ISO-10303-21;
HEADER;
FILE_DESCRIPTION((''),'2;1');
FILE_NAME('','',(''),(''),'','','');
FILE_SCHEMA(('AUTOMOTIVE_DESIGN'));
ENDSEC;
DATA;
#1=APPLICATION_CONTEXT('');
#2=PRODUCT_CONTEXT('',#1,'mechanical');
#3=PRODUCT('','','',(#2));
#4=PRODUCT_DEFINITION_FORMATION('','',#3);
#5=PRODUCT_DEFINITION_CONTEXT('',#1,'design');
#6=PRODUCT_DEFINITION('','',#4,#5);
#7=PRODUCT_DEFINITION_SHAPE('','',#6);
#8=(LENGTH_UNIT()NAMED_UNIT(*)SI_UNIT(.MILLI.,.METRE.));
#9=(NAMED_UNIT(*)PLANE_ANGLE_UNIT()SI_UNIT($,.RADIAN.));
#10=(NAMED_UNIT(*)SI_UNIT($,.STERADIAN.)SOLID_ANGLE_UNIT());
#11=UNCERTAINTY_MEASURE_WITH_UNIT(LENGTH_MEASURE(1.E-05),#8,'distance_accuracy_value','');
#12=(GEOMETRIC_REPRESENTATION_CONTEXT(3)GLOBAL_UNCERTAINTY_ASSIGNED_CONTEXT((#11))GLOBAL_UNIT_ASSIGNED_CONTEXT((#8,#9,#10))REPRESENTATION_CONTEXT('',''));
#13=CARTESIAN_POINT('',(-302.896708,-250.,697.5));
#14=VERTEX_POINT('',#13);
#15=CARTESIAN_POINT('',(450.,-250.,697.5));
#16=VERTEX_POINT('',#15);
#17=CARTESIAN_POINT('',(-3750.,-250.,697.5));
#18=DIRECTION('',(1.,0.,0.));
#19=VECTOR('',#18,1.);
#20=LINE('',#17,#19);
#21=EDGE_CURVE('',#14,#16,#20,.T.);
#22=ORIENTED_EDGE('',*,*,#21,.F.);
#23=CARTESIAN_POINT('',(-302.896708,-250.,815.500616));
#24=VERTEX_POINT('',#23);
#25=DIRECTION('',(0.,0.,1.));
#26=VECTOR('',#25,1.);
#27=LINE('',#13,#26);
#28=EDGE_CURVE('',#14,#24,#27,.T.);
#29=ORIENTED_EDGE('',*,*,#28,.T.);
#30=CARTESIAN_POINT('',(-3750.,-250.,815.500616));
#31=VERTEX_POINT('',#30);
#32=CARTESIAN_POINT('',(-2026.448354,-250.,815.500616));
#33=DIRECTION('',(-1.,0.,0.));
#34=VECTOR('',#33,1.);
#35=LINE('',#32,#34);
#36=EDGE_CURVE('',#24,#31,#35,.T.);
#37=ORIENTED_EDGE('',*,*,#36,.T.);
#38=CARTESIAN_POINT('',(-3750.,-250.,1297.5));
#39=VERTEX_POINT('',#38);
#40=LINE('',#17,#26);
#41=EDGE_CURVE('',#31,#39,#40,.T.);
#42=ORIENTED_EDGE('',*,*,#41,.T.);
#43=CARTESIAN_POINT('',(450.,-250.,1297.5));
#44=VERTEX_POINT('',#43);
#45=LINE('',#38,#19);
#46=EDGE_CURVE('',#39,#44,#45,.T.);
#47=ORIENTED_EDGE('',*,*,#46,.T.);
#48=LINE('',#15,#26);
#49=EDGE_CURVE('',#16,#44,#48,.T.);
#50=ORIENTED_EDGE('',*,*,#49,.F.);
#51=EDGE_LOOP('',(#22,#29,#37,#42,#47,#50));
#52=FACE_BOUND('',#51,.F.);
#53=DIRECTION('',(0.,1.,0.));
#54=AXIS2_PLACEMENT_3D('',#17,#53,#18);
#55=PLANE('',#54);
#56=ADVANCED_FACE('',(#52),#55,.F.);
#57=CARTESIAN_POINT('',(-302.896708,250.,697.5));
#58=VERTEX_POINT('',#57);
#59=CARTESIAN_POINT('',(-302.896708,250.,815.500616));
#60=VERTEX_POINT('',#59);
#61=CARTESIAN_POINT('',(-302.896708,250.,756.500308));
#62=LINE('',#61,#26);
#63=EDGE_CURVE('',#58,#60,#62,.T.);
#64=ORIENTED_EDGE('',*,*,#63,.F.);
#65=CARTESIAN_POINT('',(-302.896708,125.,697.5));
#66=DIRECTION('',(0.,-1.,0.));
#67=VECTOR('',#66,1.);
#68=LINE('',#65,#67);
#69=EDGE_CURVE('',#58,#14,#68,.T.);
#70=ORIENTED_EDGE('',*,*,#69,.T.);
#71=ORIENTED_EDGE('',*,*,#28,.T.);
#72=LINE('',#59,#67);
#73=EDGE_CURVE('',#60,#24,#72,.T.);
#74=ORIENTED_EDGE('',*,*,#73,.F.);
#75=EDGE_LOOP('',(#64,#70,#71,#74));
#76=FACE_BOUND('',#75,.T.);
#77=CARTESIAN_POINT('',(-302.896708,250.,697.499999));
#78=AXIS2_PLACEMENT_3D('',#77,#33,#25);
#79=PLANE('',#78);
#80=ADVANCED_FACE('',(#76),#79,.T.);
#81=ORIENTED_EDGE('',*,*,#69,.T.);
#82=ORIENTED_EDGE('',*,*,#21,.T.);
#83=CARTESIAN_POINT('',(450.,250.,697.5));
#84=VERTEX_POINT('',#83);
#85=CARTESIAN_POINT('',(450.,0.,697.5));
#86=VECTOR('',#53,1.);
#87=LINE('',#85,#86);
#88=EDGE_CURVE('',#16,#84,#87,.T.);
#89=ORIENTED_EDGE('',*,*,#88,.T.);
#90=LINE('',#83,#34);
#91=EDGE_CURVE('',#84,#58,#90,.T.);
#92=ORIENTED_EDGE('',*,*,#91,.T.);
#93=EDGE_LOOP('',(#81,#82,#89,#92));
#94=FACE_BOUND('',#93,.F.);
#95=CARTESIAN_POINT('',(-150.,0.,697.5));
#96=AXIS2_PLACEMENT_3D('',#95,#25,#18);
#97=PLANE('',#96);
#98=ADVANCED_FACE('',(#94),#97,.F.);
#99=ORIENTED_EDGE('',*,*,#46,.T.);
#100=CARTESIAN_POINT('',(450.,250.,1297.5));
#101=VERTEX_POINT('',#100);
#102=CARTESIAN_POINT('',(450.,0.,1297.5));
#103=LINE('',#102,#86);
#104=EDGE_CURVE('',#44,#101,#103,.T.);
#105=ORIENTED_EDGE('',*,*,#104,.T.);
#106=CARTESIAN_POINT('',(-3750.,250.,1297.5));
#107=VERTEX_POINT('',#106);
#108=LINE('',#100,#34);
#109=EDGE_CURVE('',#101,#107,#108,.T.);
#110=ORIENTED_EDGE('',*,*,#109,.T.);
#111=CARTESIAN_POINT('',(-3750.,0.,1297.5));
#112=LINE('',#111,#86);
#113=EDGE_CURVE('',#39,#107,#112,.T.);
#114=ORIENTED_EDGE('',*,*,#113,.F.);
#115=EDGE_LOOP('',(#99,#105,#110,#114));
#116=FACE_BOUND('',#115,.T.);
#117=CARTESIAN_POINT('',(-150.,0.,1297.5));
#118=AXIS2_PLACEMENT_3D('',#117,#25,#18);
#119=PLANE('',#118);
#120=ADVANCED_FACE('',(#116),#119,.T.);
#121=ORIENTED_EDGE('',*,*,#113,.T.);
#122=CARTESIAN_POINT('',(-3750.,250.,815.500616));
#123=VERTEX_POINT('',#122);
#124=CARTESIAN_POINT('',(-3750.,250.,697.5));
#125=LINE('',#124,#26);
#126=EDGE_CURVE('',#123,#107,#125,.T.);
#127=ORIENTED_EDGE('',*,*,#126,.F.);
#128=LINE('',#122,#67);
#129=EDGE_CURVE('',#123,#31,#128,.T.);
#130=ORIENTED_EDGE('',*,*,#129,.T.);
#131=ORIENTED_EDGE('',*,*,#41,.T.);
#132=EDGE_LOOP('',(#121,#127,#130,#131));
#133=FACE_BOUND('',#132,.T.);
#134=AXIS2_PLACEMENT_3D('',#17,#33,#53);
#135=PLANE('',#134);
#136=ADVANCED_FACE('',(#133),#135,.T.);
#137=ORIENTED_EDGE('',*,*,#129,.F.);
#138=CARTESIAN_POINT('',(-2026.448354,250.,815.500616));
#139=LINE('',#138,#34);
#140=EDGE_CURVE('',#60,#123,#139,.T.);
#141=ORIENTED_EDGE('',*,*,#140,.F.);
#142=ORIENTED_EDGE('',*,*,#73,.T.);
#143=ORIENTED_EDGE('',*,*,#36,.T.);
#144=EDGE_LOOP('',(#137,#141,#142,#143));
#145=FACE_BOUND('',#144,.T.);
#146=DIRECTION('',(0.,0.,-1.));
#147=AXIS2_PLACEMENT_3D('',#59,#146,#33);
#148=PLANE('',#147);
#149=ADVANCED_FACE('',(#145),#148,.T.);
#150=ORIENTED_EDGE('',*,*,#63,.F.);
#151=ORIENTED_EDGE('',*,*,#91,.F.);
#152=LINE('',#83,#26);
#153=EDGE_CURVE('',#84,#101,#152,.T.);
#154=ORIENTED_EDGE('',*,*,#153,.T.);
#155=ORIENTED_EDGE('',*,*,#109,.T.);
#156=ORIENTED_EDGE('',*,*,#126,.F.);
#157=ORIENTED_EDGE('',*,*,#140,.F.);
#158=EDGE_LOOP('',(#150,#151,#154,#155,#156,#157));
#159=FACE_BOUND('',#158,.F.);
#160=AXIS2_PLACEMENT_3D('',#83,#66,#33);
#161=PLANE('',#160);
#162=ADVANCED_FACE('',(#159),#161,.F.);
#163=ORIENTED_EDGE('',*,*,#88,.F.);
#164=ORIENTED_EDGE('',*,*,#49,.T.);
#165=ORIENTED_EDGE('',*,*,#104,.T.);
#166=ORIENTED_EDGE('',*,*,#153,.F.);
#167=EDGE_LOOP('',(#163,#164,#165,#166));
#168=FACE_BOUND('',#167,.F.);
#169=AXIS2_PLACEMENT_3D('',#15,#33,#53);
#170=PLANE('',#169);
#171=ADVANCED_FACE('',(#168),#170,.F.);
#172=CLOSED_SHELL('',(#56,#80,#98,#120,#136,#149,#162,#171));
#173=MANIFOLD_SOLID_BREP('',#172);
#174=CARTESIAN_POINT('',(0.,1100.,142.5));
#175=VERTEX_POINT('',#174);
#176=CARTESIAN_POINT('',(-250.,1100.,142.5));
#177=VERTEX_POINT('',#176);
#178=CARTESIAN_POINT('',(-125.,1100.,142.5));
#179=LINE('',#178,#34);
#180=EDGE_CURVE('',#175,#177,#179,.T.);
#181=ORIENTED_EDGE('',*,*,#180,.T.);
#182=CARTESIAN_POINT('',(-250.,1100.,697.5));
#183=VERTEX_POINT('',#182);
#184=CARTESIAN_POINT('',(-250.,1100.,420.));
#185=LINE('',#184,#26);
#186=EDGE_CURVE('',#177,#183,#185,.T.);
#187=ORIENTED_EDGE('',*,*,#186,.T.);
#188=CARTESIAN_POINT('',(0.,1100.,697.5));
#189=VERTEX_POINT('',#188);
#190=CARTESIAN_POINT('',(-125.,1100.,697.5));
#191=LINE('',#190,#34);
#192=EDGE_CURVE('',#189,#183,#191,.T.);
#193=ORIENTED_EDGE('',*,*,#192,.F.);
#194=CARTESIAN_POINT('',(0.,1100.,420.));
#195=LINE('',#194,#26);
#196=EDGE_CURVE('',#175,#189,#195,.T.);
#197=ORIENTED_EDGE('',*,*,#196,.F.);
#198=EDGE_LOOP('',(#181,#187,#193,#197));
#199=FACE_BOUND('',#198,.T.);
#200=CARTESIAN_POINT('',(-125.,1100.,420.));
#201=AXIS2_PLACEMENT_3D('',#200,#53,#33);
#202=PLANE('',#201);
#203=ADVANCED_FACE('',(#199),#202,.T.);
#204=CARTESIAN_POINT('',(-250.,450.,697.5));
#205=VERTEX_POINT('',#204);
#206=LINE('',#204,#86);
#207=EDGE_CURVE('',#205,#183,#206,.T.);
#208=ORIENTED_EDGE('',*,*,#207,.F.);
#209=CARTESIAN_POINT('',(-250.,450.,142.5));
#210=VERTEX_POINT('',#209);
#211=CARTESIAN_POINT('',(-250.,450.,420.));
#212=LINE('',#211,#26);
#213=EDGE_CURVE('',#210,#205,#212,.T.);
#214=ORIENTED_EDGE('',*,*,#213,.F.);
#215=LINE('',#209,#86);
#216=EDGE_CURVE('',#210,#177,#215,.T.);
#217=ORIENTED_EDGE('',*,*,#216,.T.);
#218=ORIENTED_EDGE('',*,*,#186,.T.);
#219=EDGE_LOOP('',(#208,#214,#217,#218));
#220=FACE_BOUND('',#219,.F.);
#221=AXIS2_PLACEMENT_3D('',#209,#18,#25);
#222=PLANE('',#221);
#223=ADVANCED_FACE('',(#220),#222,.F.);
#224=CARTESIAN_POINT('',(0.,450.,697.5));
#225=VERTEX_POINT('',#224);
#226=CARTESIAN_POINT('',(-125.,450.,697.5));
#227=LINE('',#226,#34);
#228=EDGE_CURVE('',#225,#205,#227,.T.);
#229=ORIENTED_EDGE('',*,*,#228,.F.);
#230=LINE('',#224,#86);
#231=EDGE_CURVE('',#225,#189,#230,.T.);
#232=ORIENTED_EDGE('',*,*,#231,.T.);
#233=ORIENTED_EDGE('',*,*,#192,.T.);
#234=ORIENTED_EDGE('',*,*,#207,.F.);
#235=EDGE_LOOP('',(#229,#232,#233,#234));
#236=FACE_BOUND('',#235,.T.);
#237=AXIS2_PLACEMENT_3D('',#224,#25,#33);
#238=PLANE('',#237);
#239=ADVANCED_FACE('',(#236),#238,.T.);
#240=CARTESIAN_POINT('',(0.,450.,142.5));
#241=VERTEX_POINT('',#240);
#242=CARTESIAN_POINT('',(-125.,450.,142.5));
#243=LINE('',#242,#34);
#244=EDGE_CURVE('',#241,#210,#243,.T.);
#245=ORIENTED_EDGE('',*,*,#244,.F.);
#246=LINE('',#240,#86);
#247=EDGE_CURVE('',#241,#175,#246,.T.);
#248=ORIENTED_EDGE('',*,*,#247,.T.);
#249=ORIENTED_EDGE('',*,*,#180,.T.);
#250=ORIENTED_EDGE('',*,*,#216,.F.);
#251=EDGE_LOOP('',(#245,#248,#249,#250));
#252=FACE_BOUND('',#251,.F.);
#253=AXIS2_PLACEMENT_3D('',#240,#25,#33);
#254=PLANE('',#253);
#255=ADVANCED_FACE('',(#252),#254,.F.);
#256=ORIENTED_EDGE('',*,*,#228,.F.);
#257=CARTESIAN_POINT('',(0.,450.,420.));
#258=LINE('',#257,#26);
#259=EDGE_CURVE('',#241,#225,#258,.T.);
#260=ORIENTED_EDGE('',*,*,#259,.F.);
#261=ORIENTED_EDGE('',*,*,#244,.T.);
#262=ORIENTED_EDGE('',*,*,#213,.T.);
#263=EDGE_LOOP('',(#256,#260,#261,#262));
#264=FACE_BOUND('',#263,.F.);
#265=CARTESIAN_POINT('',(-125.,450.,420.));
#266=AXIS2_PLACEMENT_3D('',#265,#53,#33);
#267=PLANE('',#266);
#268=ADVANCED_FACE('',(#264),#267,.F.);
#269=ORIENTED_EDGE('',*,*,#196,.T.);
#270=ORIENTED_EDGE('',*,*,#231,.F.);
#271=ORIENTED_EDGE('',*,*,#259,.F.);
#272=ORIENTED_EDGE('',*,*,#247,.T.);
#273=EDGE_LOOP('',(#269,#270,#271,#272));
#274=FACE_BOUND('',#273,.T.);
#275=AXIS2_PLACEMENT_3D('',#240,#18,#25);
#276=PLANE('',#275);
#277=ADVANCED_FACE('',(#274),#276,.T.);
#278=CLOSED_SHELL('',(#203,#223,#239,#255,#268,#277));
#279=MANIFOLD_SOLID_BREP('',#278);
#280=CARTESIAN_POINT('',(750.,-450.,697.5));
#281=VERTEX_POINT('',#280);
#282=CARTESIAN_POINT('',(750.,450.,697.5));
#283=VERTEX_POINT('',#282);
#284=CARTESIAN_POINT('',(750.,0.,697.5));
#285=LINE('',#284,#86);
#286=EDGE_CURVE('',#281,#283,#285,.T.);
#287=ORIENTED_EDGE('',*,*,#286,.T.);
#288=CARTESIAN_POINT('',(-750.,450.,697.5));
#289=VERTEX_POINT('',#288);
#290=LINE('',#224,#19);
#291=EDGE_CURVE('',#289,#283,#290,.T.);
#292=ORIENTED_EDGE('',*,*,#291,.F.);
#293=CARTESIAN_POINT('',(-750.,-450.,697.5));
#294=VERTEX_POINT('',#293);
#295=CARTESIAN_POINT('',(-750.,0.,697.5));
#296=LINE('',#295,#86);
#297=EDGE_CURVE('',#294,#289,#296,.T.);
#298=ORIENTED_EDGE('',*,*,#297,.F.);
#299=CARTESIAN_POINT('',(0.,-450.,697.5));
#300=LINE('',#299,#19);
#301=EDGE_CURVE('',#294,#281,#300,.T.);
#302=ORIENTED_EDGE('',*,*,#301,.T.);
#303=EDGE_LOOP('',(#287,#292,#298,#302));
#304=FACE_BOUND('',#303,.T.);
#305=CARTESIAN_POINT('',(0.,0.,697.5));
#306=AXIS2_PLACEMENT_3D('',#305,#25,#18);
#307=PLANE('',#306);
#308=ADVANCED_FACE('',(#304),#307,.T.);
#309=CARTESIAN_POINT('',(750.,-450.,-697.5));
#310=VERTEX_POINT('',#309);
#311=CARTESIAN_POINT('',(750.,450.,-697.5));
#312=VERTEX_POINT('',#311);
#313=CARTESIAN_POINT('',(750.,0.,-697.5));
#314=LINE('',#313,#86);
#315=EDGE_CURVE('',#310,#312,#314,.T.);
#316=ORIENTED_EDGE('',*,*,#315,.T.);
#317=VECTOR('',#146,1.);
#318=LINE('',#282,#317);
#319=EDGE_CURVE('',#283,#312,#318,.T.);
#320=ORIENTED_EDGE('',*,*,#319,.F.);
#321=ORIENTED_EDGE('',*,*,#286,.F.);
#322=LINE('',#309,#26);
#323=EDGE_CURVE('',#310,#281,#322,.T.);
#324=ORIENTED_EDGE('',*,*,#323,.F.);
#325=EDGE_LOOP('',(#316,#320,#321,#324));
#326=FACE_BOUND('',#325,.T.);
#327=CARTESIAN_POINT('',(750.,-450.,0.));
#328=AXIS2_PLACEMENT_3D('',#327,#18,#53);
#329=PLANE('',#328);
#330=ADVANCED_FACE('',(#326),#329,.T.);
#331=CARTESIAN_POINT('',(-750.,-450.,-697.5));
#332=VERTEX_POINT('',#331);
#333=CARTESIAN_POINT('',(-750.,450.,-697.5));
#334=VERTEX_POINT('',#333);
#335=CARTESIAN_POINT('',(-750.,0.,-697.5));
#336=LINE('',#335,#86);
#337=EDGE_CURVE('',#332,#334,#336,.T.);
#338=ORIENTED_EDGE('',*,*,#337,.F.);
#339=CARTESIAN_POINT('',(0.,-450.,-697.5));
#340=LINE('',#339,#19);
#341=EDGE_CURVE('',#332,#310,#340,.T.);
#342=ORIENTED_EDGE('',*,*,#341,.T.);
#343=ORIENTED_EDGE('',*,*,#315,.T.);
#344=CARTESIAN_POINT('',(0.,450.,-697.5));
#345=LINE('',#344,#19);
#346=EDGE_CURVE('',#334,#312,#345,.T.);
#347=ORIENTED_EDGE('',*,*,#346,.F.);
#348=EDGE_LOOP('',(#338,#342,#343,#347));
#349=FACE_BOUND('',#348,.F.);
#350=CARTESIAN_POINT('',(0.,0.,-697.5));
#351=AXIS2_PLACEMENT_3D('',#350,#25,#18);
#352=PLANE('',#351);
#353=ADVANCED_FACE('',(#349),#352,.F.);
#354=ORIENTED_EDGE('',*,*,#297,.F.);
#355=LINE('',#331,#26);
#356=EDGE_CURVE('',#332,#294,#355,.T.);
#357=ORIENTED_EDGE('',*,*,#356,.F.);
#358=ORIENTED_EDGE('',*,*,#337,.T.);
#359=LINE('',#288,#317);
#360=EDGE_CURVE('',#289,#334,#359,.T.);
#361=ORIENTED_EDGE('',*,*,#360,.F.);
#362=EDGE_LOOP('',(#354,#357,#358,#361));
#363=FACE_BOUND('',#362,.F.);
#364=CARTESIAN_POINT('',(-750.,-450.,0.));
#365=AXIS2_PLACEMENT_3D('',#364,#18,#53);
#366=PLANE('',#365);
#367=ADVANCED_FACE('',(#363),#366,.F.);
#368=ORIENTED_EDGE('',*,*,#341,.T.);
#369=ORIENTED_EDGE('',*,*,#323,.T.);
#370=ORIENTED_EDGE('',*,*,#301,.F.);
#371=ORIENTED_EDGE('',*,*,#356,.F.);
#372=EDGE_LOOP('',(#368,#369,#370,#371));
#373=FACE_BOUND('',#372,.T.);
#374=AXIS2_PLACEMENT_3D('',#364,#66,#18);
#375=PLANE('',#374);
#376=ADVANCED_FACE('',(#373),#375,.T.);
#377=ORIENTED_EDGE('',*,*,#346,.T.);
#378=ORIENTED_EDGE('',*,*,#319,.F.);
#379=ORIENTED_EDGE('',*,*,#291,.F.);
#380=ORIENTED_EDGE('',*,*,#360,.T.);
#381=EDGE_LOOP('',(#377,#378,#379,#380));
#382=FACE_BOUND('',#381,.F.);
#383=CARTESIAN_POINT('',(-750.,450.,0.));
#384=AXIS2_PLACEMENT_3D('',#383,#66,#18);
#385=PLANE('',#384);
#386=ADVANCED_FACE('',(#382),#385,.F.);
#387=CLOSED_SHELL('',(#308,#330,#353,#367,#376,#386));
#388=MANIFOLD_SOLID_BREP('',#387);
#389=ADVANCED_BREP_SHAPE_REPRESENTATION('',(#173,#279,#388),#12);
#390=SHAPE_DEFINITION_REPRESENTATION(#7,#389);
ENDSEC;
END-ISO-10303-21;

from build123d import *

# Parameters (mm, degrees)
F0_W     = 1500
F0_H     = 900
F1_DEPTH = 697.5
F2_W     = 250
F2_H     = 555
F3_DEPTH = 650
F4_W     = 1200
F4_H     = 500
F4_W_2   = 3000
F5_DEPTH = 600
F6_W     = 3447.103292
F6_H     = 118.000617
F7_DEPTH = 700


with BuildPart() as f1:
    # F0 (on Top) → F1 (new body, symmetric)
    with BuildSketch(Plane.XY):
        Rectangle(F0_W, F0_H)
    extrude(amount=F1_DEPTH, both=True)


with BuildPart() as f3:
    # F2 (on face) → F3 (new body)
    with BuildSketch(Plane(origin=(0, 450, 0), x_dir=(-1, 0, 0), z_dir=(0, 1, 0))):
        with Locations((125, 420)):
            Rectangle(F2_W, F2_H)
    extrude(amount=F3_DEPTH)


with BuildPart() as f5:
    # F4 (on face) → F5 (new body)
    with BuildSketch(Plane.XY.offset(697.5)):
        with Locations((-150, 0)):
            Rectangle(F4_W, F4_H)
        with Locations((-2250, 0)):
            Rectangle(F4_W_2, F4_H)
    extrude(amount=F5_DEPTH)

    # F6 (on face) → F7 (cut)
    with BuildSketch(Plane(origin=(0, 250, 0), x_dir=(-1, 0, 0), z_dir=(0, 1, 0))):
        with Locations((2026.448354, 756.500308)):
            Rectangle(F6_W, F6_H)
    extrude(amount=-F7_DEPTH, mode=Mode.SUBTRACT)


solid = Compound([f1.part, f3.part, f5.part])
